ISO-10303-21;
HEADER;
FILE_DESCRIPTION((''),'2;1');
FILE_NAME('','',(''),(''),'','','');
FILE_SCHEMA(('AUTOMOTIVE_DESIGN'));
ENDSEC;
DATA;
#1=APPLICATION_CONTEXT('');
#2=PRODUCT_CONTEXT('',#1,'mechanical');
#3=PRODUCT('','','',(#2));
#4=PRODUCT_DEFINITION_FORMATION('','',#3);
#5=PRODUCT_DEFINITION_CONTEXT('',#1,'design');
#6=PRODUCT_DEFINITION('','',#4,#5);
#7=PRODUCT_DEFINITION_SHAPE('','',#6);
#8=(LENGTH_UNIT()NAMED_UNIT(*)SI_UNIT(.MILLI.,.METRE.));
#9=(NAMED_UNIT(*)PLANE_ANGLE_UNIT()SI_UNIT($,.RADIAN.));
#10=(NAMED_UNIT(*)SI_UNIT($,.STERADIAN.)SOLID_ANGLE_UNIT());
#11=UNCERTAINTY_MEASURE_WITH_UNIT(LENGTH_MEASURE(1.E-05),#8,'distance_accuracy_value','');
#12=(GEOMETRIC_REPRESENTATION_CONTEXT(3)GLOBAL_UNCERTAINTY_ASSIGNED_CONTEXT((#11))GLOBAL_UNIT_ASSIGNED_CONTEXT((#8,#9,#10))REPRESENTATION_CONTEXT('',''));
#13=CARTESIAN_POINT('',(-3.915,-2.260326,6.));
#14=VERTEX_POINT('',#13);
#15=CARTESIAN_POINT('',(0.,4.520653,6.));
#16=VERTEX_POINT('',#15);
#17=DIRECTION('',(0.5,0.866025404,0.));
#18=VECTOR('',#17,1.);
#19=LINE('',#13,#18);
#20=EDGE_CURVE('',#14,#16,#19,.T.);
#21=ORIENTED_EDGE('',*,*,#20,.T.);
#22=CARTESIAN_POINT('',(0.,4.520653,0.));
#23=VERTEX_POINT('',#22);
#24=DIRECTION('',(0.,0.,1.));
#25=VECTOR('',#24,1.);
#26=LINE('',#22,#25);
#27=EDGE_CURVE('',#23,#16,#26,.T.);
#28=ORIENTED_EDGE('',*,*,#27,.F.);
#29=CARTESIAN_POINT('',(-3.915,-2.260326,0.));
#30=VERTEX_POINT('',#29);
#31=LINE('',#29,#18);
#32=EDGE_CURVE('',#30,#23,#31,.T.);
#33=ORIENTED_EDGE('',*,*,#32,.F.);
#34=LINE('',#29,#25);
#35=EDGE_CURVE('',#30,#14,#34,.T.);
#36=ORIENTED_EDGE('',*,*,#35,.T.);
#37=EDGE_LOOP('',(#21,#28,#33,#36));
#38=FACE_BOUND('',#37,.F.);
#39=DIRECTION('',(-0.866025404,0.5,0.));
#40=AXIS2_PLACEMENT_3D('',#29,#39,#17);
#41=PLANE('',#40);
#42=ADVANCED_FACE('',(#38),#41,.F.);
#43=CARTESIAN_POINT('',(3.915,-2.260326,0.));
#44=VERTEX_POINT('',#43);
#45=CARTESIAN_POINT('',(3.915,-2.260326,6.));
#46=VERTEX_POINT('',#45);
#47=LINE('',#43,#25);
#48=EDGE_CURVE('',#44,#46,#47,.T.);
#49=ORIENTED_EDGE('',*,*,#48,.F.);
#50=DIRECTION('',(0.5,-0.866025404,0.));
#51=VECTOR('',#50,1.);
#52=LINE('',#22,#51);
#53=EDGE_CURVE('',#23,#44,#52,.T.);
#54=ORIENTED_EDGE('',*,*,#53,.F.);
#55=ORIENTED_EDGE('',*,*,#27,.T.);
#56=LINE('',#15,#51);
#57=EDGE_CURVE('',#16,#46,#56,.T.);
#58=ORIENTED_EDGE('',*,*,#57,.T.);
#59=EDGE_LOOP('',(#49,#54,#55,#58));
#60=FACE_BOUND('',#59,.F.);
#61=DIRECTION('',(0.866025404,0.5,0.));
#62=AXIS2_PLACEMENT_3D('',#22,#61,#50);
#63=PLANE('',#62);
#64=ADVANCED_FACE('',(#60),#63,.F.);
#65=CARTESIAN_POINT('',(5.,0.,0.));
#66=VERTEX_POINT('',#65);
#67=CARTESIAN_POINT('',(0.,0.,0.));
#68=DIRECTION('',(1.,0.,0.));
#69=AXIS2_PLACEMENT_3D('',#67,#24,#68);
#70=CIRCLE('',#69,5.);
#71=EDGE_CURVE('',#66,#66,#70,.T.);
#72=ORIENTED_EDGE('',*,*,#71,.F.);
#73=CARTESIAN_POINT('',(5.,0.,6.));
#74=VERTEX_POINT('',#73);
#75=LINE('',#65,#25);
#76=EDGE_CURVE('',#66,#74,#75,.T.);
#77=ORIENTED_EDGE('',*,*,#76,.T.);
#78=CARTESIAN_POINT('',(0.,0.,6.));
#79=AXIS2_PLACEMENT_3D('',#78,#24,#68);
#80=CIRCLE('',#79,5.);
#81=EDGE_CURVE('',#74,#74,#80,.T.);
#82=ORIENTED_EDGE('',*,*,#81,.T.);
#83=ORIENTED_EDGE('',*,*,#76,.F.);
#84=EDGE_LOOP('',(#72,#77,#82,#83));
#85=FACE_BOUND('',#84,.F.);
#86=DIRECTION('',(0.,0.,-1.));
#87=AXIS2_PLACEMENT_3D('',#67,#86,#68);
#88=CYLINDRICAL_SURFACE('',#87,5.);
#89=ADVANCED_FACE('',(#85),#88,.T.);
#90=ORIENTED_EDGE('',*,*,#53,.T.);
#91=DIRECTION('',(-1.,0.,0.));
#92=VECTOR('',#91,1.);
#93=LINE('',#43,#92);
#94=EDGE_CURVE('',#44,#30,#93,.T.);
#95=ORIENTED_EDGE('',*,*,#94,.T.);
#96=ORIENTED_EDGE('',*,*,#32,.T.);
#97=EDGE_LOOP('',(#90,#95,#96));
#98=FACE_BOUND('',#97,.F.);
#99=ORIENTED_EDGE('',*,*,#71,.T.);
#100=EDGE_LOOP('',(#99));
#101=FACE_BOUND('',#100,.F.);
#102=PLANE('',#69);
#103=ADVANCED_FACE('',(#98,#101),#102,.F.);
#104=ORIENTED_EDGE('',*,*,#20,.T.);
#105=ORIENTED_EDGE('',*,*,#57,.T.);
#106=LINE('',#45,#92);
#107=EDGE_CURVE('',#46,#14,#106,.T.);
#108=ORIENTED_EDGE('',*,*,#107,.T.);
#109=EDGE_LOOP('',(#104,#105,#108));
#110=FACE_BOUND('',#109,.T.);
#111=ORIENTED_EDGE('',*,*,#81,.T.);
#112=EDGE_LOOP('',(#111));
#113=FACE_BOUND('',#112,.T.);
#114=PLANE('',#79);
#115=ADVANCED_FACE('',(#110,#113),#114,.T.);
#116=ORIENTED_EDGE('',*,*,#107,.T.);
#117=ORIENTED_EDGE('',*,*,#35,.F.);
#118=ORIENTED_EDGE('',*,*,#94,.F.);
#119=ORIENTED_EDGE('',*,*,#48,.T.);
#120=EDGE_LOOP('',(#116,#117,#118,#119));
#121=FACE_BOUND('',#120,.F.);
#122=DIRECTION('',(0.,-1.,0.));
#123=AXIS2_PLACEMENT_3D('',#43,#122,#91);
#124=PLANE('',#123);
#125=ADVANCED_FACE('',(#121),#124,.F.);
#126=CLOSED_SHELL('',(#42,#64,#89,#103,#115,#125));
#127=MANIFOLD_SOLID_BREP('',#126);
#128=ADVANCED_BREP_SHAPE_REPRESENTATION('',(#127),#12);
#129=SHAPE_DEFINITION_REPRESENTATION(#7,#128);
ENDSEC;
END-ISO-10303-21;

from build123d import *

# Parameters (mm, degrees)
F1_R     = 5
F2_DEPTH = 6


with BuildPart() as f2:
    # F1 (on Top) → F2 (new body)
    with BuildSketch(Plane.XY):
        Circle(F1_R)
        Polygon((-3.915, -2.2603263039), (0, 4.5206526078), (3.915, -2.2603263039), align=None, mode=Mode.SUBTRACT)
    extrude(amount=F2_DEPTH)


solid = f2.part
